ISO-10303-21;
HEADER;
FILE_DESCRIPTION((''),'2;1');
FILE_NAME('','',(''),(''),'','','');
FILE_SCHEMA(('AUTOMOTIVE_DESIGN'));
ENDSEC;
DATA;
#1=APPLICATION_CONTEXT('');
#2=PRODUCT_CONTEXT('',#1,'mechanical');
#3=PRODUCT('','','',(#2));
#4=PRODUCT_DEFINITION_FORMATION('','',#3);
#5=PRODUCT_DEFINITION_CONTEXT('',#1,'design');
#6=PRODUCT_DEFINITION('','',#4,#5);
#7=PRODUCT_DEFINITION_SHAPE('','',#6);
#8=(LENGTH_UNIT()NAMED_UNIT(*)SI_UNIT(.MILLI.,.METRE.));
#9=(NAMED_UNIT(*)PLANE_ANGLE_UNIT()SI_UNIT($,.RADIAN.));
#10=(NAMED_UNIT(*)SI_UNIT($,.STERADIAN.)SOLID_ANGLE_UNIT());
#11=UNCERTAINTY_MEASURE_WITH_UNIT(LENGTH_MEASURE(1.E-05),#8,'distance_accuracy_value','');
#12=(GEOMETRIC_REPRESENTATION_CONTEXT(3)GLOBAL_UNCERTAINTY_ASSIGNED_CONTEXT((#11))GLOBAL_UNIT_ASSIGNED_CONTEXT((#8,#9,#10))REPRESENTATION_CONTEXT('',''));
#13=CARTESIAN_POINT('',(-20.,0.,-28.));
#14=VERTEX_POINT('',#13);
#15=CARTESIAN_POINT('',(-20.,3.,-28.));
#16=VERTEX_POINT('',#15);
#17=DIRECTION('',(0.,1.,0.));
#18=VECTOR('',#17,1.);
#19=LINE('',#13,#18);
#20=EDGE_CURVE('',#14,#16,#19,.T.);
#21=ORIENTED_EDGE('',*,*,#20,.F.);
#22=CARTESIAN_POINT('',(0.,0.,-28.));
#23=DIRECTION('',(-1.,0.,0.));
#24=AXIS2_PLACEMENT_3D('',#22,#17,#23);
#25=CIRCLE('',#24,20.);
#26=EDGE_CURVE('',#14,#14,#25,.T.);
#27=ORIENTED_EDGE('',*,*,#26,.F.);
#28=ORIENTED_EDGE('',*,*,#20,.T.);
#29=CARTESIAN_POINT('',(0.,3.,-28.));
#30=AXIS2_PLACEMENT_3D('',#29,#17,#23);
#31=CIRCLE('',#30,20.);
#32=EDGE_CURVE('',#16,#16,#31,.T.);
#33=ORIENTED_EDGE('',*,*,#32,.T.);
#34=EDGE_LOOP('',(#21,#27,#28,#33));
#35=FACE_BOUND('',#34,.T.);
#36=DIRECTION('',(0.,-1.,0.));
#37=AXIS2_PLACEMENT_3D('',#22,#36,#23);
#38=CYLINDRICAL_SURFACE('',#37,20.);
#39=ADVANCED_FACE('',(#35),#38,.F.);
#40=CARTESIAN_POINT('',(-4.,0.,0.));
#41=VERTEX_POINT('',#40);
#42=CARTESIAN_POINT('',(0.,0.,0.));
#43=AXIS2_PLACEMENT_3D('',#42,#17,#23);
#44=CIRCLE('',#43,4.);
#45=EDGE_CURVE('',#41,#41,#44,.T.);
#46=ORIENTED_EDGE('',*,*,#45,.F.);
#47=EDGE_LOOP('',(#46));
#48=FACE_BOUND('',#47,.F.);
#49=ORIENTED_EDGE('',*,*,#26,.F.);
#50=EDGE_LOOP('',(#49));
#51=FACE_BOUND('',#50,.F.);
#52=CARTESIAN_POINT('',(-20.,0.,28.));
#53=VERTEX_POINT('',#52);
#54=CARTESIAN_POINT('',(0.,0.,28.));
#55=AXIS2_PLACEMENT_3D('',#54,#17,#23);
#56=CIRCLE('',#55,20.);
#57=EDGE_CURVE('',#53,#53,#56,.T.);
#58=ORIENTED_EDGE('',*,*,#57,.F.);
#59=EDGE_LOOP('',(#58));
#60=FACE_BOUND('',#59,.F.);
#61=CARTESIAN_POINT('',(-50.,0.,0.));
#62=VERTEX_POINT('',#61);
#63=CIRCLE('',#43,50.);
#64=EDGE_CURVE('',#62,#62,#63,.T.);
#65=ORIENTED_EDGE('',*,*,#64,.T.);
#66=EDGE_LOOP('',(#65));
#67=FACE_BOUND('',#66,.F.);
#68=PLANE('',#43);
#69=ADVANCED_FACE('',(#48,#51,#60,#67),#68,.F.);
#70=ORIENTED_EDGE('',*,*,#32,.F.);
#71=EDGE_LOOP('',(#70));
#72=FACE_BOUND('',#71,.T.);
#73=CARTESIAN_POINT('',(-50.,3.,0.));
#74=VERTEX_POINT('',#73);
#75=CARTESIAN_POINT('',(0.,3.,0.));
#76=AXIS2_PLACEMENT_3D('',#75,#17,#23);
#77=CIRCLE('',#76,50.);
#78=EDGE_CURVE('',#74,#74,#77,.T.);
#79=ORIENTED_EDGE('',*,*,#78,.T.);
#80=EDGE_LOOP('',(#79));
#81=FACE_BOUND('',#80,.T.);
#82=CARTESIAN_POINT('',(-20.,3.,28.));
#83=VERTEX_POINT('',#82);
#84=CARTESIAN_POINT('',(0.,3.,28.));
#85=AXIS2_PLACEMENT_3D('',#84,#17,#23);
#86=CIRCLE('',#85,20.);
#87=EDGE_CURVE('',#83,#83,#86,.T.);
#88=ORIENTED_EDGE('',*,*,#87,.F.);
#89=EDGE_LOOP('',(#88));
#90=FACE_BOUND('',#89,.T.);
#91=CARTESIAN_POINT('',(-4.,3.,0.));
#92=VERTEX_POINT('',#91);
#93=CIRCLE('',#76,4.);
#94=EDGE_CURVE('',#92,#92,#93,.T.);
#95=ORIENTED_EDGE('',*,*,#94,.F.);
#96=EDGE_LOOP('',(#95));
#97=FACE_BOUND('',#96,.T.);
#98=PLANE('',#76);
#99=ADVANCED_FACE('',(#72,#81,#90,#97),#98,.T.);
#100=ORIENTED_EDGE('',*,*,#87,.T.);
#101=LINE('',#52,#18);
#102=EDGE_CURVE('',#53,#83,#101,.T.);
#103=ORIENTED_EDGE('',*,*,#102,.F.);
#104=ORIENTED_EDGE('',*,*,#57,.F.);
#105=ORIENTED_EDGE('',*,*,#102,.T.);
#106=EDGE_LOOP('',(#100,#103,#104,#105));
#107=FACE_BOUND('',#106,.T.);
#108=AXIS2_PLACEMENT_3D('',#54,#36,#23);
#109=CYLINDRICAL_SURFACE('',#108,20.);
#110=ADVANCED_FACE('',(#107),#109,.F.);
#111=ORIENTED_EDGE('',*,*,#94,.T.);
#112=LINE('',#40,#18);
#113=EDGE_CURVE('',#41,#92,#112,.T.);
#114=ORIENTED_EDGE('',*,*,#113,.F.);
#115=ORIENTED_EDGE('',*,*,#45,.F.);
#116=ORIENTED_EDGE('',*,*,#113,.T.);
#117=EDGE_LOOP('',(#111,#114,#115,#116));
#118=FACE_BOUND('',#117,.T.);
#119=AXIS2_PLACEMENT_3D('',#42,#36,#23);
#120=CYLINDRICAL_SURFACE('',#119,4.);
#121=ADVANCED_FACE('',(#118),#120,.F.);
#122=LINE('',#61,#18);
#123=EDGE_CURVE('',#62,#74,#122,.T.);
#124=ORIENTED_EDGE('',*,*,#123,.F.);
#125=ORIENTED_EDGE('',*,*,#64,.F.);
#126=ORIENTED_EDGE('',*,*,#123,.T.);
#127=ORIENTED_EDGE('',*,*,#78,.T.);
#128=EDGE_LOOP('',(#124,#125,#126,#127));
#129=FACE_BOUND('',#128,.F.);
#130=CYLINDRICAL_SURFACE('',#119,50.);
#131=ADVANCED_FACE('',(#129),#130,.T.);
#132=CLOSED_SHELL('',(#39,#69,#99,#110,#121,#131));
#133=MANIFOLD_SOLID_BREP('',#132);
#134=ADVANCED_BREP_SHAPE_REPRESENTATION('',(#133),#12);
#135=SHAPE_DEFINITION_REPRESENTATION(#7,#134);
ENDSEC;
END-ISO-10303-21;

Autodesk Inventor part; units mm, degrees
ref_plane "YZ Plane" through (0, 0, 0) normal (1, 0, 0) x (0, 1, 0)
ref_plane "XZ Plane" through (0, 0, 0) normal (0, 1, 0) x (-1, 0, 0)
ref_plane "XY Plane" through (0, 0, 0) normal (0, 0, 1) x (1, 0, 0)
sketch "Sketch1" plane through (0, 0, 0) normal (0, 1, 0) x (-1, 0, 0)
  circle A0 centre (0, 0) radius 50
  dimension "d0" = 100
sketch "Sketch2" plane through (0, 0, 0) normal (0, 1, 0) x (-1, 0, 0)
  circle A0 centre (0, -28) radius 20
  circle A1 centre (0, 0) radius 4
  circle A2 centre (0, 28) radius 20
  dimension "d1" = 40
  dimension "d3" = 8
  dimension "d4" = 28
  dimension "d5" = 40
  dimension "d6" = 28
extrude "Extrusion1" add sketch "Sketch1" along normal blind 3
extrude "Extrusion2" cut sketch "Sketch2" along normal blind 3
properties part number "Rotator"
